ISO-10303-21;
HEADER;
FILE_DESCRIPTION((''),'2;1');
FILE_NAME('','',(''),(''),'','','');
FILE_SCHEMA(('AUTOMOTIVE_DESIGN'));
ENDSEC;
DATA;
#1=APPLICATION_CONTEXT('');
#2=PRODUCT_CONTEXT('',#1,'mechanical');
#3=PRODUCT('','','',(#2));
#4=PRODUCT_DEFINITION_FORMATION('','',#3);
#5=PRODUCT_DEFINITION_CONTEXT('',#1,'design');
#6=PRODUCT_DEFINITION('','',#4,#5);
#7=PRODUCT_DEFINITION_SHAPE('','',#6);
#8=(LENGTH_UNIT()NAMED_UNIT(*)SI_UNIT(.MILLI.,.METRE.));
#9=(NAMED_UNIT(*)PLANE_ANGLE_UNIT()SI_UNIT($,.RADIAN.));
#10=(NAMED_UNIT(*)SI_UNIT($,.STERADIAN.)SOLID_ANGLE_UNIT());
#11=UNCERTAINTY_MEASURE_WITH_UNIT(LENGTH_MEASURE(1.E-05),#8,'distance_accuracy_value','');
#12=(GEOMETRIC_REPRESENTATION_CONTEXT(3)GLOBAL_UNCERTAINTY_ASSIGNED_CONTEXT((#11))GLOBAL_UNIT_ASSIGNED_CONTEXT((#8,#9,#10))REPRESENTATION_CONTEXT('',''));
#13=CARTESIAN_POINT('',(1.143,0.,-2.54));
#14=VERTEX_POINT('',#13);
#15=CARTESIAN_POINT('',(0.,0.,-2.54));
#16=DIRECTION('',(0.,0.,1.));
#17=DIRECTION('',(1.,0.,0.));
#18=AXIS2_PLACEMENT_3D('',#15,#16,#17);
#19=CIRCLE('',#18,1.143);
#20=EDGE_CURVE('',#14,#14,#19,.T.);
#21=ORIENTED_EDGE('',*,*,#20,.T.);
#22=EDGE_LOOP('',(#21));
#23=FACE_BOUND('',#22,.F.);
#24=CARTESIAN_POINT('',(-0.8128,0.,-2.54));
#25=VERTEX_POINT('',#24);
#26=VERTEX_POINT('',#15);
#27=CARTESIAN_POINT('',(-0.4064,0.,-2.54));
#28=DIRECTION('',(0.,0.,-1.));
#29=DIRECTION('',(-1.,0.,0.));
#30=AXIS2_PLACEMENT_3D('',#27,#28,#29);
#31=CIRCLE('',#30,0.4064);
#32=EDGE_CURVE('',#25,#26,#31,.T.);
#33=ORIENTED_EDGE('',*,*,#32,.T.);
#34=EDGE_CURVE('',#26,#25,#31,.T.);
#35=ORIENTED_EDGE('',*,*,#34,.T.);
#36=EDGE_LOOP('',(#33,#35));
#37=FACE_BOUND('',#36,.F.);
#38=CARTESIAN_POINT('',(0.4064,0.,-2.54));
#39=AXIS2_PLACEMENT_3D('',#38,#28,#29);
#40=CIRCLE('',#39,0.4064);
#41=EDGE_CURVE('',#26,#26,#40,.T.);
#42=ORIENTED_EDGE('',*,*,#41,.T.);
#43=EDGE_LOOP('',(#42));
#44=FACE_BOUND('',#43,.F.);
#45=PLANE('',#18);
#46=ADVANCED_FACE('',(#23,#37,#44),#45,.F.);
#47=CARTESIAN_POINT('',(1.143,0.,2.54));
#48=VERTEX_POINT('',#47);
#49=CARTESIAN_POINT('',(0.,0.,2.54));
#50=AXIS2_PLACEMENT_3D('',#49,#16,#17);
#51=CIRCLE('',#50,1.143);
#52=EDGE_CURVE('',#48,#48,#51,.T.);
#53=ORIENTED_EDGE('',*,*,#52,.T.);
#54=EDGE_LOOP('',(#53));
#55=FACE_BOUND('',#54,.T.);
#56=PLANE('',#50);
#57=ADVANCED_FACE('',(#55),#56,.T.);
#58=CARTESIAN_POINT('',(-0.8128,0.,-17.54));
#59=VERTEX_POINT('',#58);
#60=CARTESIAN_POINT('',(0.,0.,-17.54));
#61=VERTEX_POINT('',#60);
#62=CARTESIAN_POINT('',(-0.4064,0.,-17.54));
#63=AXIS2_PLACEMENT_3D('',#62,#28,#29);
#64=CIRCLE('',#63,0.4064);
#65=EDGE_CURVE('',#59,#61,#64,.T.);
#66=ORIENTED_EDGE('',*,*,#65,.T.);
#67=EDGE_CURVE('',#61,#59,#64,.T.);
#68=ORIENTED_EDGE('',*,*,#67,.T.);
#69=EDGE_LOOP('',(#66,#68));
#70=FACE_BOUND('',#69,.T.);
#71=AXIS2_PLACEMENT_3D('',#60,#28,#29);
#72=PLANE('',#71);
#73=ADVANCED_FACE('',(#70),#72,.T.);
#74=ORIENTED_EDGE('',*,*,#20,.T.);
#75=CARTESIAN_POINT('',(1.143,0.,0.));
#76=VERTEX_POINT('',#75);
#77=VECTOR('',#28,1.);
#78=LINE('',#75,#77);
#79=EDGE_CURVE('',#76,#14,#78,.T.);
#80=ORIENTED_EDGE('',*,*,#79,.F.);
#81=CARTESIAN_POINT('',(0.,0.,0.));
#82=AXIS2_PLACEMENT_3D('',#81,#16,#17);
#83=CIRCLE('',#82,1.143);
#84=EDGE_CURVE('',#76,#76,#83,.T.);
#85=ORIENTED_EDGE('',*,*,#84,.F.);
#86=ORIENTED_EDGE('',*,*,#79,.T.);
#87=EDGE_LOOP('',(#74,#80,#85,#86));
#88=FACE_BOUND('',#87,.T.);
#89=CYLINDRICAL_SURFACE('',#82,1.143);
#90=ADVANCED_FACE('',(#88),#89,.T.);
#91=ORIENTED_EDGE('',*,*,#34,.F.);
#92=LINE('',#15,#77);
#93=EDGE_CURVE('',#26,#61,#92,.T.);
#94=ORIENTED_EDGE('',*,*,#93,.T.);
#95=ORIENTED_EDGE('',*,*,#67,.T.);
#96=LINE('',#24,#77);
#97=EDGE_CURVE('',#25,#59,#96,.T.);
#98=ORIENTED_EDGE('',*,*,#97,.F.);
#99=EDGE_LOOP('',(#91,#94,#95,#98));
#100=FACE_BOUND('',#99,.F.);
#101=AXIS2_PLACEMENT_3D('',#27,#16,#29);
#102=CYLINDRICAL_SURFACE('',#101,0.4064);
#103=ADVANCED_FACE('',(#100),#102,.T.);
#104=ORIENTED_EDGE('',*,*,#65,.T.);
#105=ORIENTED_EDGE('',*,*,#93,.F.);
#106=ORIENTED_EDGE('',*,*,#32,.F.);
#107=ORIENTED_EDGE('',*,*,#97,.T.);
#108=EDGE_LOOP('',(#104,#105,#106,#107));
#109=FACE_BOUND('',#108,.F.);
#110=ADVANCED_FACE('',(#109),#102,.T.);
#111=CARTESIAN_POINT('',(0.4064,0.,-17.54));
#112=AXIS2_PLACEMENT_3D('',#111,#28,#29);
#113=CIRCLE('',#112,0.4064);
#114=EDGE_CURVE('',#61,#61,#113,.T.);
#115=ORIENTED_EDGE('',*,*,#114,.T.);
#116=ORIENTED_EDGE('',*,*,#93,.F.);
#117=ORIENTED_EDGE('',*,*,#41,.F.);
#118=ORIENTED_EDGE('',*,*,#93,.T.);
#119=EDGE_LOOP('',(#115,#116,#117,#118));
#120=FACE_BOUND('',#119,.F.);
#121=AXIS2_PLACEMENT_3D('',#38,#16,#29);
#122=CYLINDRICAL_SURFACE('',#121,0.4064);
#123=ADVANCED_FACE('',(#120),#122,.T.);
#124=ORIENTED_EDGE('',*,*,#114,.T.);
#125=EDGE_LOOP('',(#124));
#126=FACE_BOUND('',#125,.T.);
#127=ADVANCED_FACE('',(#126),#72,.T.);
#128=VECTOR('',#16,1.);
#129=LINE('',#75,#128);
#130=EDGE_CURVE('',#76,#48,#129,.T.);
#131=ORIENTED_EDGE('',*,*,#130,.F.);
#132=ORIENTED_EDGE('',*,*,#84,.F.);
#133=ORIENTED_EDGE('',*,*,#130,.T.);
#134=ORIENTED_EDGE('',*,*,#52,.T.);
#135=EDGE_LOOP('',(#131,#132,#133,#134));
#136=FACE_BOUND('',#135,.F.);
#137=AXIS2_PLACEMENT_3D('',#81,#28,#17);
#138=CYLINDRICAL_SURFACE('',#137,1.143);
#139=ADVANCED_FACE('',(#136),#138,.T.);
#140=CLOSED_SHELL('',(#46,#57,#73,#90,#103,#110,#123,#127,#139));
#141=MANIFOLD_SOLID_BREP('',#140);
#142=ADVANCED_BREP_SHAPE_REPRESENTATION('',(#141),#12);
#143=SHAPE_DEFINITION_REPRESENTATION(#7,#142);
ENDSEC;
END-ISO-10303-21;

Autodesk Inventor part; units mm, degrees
ref_plane "YZ Plane" through (0, 0, 0) normal (1, 0, 0) x (0, 1, 0)
ref_plane "XZ Plane" through (0, 0, 0) normal (0, 1, 0) x (-1, 0, 0)
ref_plane "XY Plane" through (0, 0, 0) normal (0, 0, 1) x (1, 0, 0)
sketch "Sketch1" plane through (0, 0, 0) normal (0, 0, 1) x (1, 0, 0)
  circle A0 centre (0, 0) radius 1.143
  dimension "d0" = 2.286
extrude "Extrusion1" add sketch "Sketch1" along normal mid plane 5.08
sketch "Sketch2" plane through (0, 0, -2.54) normal (0, 0, -1) x (-1, 0, 0)
  circle A0 centre (0, 0) radius 1.143 projected
  circle A1 centre (-0.4064, 0) radius 0.4064
  circle A2 centre (0.4064, 0) radius 0.4064
  line L0 (-0.828, 0) -> (0.828, 0) construction
  dimension "d3" = 0.8128
extrude "Extrusion2" add sketch "Sketch2" along normal blind 15 contours A1 | A2
properties part number "thermistor_batteries"
